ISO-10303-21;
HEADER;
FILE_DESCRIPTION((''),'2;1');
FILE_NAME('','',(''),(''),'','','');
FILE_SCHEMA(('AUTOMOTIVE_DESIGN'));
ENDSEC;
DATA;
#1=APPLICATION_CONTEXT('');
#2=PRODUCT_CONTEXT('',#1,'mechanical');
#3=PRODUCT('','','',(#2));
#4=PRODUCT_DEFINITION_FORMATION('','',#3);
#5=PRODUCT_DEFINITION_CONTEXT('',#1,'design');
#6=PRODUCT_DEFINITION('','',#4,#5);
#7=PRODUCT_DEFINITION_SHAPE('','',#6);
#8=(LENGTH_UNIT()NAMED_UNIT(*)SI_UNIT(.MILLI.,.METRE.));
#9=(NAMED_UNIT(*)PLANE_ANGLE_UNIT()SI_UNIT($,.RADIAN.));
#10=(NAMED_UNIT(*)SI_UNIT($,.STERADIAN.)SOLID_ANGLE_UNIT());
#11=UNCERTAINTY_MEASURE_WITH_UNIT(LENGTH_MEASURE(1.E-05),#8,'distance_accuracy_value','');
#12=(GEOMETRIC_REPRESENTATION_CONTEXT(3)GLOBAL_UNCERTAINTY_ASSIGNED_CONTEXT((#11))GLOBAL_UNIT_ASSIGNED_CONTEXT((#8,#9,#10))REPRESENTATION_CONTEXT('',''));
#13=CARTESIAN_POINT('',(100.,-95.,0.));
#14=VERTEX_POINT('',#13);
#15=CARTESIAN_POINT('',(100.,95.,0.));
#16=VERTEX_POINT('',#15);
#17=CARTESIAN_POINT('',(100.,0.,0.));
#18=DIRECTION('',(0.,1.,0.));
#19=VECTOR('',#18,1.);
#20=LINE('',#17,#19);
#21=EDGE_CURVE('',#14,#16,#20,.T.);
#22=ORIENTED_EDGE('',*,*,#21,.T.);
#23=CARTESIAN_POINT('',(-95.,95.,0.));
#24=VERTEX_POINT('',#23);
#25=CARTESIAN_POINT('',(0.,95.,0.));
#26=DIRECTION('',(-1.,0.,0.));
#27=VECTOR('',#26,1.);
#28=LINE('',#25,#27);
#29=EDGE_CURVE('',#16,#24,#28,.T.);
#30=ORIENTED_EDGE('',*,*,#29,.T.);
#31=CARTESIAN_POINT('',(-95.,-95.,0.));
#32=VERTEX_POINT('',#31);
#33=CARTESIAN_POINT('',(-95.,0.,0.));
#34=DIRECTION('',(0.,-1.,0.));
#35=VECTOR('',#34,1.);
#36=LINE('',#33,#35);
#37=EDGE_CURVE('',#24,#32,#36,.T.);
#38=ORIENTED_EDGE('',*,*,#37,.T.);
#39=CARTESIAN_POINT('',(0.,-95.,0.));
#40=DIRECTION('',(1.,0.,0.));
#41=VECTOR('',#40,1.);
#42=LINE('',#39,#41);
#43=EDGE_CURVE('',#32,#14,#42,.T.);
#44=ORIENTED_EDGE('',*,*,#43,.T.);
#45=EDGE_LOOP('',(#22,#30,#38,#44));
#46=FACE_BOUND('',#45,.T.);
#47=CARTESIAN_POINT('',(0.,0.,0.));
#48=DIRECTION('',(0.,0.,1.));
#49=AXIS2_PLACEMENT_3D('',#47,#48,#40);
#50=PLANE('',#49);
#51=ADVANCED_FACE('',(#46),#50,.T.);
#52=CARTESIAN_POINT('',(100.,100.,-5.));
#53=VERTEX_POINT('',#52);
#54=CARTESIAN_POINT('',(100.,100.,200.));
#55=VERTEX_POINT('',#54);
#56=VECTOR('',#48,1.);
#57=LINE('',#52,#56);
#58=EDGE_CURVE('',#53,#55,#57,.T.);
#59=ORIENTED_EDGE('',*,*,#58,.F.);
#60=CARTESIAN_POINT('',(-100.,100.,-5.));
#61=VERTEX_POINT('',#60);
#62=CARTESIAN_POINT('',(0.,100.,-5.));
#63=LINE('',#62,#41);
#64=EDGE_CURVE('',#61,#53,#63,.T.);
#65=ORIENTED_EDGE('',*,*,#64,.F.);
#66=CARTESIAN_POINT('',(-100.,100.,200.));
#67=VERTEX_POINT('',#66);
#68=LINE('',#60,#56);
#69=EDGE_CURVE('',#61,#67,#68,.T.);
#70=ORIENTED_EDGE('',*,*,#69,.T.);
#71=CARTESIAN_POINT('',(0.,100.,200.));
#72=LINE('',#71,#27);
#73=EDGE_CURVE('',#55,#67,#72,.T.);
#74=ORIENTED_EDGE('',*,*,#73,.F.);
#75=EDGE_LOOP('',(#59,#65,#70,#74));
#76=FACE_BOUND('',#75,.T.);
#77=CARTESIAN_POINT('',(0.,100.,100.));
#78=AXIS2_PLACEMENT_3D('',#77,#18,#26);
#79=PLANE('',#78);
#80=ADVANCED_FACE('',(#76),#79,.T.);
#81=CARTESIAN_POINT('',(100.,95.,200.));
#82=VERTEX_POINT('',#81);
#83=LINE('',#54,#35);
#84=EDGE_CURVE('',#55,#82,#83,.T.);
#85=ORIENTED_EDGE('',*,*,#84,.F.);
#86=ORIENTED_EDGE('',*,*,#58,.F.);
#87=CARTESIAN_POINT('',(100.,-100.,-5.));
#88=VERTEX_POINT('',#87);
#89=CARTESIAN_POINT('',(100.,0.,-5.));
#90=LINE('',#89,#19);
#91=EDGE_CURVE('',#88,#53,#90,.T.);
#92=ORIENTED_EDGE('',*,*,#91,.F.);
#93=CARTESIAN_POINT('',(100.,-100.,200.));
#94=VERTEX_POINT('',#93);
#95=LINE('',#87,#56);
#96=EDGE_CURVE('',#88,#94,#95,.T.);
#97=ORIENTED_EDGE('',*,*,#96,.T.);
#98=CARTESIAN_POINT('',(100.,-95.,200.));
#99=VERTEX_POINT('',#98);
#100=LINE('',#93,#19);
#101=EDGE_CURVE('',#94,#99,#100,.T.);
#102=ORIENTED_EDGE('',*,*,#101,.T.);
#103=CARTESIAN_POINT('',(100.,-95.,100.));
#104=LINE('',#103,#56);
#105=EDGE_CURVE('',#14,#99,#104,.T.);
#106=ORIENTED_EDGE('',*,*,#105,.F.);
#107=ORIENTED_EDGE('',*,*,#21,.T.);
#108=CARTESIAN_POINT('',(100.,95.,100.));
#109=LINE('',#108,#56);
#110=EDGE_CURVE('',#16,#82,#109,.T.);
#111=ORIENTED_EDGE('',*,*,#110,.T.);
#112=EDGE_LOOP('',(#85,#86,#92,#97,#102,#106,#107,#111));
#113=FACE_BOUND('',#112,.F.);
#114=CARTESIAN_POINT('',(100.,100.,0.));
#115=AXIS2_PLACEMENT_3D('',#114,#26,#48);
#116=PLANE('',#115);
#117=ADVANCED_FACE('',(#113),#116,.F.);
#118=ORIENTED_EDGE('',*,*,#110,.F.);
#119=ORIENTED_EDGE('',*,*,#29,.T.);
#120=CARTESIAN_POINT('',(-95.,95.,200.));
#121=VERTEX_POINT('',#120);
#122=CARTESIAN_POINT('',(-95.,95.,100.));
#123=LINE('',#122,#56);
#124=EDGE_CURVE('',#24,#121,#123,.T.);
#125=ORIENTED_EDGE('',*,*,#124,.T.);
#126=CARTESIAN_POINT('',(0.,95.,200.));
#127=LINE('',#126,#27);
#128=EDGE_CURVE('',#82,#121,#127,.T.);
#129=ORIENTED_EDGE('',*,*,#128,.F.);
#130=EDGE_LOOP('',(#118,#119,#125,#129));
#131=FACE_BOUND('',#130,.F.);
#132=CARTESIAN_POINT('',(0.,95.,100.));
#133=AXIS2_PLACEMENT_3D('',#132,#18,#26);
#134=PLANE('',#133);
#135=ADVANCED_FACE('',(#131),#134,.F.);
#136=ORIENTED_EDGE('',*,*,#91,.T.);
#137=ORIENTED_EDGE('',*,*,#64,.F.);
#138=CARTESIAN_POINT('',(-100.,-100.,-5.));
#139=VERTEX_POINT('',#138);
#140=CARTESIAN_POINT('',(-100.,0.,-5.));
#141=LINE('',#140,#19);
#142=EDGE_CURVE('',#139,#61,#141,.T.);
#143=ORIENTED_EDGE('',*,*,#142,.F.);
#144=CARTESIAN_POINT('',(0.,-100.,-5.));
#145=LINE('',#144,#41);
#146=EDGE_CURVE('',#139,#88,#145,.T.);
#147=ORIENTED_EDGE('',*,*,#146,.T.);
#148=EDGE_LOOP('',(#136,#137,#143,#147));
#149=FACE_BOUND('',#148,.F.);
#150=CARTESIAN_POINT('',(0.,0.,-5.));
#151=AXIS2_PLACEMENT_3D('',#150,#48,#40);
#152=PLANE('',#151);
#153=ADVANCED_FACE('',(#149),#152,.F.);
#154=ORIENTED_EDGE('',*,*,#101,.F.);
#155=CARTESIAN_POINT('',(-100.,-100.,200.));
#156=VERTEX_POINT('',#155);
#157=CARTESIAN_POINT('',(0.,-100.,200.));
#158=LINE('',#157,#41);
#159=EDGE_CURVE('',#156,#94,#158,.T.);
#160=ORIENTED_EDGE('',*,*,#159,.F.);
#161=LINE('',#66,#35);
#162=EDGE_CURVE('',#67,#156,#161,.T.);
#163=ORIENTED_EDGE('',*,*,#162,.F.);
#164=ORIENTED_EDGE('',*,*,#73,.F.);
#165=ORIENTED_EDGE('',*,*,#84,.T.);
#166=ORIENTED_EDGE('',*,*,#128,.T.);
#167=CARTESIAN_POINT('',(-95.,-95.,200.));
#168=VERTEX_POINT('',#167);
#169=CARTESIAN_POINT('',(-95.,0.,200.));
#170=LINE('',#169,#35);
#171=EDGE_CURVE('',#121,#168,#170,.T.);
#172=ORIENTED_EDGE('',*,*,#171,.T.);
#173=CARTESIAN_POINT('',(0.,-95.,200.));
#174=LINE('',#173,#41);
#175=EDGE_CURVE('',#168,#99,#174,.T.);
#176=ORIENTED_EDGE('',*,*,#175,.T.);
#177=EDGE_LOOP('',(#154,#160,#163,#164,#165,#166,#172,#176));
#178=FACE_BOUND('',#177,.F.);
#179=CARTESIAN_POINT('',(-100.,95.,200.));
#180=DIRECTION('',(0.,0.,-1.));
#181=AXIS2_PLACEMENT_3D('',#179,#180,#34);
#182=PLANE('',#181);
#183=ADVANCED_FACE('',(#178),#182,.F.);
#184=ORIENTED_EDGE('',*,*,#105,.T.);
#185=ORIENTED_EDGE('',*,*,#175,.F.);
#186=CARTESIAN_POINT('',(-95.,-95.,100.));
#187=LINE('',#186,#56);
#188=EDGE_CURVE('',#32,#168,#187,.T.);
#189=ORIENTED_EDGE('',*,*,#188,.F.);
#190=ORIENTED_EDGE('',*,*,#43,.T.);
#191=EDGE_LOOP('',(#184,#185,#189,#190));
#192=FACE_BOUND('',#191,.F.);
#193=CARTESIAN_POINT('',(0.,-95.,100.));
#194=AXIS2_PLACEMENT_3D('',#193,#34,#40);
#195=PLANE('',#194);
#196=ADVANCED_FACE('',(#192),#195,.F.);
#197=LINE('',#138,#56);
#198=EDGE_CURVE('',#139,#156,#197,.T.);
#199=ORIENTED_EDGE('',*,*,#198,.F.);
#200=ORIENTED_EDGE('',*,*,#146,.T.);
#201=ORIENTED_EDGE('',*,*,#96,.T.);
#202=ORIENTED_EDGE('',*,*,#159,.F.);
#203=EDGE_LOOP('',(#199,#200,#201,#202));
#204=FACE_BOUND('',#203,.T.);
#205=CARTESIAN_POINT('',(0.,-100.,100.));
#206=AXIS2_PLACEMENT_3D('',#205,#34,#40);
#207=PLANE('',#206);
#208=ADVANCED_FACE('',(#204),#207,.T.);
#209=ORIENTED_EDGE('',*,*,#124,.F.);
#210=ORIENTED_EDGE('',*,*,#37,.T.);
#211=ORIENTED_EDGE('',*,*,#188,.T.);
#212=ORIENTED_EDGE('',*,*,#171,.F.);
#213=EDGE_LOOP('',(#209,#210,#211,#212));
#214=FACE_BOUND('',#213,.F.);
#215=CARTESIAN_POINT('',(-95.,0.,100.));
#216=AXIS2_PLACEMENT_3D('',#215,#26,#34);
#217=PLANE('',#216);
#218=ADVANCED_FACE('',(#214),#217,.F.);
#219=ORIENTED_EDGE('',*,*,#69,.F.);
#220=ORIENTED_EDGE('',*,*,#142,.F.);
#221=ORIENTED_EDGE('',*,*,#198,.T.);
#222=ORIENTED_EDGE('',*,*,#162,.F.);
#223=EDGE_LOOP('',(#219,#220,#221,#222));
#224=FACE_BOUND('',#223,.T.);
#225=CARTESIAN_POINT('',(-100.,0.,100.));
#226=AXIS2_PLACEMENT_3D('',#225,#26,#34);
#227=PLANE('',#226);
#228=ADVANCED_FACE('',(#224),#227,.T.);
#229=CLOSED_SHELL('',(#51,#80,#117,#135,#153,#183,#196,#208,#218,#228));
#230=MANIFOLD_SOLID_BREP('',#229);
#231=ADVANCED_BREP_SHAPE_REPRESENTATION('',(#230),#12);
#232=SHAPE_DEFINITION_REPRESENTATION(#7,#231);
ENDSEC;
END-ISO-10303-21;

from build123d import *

# Parameters (mm, degrees)
F0_W     = 200
F0_H     = 200
F5_DEPTH = 5
F1_W     = 200
F1_H     = 200
F6_DEPTH = 5
F2_W     = 200
F2_H     = 200
F3_DEPTH = 5
F4_W     = 190
F4_H     = 200
F7_DEPTH = 5


with BuildPart() as f5:
    # F0 (on Top) → F5 (new body)
    with BuildSketch(Plane.XY):
        Rectangle(F0_W, F0_H)
    extrude(amount=-F5_DEPTH)

    # F1 (on face) → F6 (join)
    with BuildSketch(Plane.XZ.offset(100)):
        with Locations((0, 100)):
            Rectangle(F1_W, F1_H)
    extrude(amount=-F6_DEPTH)

    # F2 (on face) → F3 (join)
    with BuildSketch(Plane(origin=(0, 100, 0), x_dir=(-1, 0, 0), z_dir=(0, 1, 0))):
        with Locations((0, 100)):
            Rectangle(F2_W, F2_H)
    extrude(amount=-F3_DEPTH)

    # F4 (on face) → F7 (join)
    with BuildSketch(Plane(origin=(-100, 0, 0), x_dir=(0, -1, 0), z_dir=(-1, 0, 0))):
        with Locations((0, 100)):
            Rectangle(F4_W, F4_H)
    extrude(amount=-F7_DEPTH)


solid = f5.part
